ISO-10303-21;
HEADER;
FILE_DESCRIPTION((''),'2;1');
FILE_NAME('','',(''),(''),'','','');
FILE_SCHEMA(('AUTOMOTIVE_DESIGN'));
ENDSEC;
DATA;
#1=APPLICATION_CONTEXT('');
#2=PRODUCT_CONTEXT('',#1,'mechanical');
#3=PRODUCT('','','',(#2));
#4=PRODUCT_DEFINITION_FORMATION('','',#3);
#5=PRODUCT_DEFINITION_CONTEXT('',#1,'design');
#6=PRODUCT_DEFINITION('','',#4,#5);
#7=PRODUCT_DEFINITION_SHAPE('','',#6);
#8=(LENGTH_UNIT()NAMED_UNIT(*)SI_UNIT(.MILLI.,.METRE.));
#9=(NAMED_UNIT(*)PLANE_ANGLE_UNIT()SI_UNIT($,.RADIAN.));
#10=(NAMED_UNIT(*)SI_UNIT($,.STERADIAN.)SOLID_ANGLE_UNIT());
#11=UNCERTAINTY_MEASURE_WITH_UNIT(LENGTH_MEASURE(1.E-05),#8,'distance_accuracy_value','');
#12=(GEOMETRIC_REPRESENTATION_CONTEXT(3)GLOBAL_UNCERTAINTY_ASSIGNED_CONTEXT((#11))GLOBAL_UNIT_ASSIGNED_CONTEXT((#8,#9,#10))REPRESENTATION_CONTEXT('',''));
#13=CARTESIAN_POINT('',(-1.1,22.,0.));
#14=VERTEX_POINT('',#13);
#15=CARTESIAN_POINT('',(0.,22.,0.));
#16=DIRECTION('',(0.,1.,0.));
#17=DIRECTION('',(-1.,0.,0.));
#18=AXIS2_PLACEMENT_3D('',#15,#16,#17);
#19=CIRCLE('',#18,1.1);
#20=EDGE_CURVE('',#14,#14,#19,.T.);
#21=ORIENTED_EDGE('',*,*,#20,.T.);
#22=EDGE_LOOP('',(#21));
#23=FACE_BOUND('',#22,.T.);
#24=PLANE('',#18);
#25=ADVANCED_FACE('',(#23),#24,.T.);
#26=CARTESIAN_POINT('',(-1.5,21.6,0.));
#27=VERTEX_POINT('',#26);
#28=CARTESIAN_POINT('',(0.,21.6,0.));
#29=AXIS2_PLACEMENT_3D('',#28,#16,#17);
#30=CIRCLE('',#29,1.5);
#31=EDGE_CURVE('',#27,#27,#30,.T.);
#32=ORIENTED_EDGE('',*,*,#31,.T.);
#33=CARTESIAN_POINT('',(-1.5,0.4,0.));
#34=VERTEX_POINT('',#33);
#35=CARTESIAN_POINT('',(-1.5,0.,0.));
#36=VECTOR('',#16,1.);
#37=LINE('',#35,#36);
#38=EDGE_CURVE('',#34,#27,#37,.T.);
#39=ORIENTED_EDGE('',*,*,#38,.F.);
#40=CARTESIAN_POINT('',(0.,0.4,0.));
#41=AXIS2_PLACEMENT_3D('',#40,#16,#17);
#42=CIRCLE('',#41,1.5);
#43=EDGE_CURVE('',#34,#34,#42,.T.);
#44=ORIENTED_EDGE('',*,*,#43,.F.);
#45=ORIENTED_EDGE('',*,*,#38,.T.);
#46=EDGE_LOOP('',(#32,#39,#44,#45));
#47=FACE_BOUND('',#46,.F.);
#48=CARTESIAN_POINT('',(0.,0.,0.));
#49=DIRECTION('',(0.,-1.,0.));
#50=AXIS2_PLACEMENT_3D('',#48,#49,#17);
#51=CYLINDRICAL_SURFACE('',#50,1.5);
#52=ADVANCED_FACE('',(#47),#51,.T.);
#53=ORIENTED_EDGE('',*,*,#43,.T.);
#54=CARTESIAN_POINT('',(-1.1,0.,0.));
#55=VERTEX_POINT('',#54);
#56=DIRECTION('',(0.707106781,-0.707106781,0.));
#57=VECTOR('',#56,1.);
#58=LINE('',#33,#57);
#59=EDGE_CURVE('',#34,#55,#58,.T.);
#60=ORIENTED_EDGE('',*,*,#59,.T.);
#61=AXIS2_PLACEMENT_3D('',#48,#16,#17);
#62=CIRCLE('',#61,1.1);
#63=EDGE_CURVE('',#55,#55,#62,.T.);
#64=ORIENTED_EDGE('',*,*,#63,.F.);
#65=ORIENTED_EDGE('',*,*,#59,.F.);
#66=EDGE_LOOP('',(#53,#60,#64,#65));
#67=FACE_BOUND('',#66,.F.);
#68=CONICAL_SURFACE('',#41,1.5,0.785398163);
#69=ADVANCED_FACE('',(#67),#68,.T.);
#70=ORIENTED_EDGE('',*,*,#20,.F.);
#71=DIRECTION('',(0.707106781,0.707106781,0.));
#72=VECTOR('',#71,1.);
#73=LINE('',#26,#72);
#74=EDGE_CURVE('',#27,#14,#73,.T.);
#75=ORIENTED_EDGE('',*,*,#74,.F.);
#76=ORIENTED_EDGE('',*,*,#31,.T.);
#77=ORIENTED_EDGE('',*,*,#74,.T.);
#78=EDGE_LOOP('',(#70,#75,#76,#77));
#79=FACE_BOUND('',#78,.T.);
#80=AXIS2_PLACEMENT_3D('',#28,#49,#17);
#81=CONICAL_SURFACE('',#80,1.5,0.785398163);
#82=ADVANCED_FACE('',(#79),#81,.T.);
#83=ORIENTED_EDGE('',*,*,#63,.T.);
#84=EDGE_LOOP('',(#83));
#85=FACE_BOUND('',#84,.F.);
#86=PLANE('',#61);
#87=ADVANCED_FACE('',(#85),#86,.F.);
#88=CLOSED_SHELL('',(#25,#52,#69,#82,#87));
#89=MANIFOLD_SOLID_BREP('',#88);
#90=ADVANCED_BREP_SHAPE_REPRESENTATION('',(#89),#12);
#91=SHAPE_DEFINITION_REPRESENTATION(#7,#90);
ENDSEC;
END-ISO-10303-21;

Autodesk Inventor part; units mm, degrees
ref_plane "YZ Plane" through (0, 0, 0) normal (1, 0, 0) x (0, 1, 0)
ref_plane "XZ Plane" through (0, 0, 0) normal (0, 1, 0) x (-1, 0, 0)
ref_plane "XY Plane" through (0, 0, 0) normal (0, 0, 1) x (1, 0, 0)
sketch "Sketch1" plane through (0, 0, 0) normal (0, 1, 0) x (-1, 0, 0)
  circle A0 centre (0, 0) radius 1.5
  dimension "d0" = 3
extrude "Extrusion1" add sketch "Sketch1" along normal blind 22
chamfer "Chamfer1" distance 0.4 angle 45 2 edges at (1.5, 22, 0) (1.5, 0, 0)
properties part number "pin_3_22"
